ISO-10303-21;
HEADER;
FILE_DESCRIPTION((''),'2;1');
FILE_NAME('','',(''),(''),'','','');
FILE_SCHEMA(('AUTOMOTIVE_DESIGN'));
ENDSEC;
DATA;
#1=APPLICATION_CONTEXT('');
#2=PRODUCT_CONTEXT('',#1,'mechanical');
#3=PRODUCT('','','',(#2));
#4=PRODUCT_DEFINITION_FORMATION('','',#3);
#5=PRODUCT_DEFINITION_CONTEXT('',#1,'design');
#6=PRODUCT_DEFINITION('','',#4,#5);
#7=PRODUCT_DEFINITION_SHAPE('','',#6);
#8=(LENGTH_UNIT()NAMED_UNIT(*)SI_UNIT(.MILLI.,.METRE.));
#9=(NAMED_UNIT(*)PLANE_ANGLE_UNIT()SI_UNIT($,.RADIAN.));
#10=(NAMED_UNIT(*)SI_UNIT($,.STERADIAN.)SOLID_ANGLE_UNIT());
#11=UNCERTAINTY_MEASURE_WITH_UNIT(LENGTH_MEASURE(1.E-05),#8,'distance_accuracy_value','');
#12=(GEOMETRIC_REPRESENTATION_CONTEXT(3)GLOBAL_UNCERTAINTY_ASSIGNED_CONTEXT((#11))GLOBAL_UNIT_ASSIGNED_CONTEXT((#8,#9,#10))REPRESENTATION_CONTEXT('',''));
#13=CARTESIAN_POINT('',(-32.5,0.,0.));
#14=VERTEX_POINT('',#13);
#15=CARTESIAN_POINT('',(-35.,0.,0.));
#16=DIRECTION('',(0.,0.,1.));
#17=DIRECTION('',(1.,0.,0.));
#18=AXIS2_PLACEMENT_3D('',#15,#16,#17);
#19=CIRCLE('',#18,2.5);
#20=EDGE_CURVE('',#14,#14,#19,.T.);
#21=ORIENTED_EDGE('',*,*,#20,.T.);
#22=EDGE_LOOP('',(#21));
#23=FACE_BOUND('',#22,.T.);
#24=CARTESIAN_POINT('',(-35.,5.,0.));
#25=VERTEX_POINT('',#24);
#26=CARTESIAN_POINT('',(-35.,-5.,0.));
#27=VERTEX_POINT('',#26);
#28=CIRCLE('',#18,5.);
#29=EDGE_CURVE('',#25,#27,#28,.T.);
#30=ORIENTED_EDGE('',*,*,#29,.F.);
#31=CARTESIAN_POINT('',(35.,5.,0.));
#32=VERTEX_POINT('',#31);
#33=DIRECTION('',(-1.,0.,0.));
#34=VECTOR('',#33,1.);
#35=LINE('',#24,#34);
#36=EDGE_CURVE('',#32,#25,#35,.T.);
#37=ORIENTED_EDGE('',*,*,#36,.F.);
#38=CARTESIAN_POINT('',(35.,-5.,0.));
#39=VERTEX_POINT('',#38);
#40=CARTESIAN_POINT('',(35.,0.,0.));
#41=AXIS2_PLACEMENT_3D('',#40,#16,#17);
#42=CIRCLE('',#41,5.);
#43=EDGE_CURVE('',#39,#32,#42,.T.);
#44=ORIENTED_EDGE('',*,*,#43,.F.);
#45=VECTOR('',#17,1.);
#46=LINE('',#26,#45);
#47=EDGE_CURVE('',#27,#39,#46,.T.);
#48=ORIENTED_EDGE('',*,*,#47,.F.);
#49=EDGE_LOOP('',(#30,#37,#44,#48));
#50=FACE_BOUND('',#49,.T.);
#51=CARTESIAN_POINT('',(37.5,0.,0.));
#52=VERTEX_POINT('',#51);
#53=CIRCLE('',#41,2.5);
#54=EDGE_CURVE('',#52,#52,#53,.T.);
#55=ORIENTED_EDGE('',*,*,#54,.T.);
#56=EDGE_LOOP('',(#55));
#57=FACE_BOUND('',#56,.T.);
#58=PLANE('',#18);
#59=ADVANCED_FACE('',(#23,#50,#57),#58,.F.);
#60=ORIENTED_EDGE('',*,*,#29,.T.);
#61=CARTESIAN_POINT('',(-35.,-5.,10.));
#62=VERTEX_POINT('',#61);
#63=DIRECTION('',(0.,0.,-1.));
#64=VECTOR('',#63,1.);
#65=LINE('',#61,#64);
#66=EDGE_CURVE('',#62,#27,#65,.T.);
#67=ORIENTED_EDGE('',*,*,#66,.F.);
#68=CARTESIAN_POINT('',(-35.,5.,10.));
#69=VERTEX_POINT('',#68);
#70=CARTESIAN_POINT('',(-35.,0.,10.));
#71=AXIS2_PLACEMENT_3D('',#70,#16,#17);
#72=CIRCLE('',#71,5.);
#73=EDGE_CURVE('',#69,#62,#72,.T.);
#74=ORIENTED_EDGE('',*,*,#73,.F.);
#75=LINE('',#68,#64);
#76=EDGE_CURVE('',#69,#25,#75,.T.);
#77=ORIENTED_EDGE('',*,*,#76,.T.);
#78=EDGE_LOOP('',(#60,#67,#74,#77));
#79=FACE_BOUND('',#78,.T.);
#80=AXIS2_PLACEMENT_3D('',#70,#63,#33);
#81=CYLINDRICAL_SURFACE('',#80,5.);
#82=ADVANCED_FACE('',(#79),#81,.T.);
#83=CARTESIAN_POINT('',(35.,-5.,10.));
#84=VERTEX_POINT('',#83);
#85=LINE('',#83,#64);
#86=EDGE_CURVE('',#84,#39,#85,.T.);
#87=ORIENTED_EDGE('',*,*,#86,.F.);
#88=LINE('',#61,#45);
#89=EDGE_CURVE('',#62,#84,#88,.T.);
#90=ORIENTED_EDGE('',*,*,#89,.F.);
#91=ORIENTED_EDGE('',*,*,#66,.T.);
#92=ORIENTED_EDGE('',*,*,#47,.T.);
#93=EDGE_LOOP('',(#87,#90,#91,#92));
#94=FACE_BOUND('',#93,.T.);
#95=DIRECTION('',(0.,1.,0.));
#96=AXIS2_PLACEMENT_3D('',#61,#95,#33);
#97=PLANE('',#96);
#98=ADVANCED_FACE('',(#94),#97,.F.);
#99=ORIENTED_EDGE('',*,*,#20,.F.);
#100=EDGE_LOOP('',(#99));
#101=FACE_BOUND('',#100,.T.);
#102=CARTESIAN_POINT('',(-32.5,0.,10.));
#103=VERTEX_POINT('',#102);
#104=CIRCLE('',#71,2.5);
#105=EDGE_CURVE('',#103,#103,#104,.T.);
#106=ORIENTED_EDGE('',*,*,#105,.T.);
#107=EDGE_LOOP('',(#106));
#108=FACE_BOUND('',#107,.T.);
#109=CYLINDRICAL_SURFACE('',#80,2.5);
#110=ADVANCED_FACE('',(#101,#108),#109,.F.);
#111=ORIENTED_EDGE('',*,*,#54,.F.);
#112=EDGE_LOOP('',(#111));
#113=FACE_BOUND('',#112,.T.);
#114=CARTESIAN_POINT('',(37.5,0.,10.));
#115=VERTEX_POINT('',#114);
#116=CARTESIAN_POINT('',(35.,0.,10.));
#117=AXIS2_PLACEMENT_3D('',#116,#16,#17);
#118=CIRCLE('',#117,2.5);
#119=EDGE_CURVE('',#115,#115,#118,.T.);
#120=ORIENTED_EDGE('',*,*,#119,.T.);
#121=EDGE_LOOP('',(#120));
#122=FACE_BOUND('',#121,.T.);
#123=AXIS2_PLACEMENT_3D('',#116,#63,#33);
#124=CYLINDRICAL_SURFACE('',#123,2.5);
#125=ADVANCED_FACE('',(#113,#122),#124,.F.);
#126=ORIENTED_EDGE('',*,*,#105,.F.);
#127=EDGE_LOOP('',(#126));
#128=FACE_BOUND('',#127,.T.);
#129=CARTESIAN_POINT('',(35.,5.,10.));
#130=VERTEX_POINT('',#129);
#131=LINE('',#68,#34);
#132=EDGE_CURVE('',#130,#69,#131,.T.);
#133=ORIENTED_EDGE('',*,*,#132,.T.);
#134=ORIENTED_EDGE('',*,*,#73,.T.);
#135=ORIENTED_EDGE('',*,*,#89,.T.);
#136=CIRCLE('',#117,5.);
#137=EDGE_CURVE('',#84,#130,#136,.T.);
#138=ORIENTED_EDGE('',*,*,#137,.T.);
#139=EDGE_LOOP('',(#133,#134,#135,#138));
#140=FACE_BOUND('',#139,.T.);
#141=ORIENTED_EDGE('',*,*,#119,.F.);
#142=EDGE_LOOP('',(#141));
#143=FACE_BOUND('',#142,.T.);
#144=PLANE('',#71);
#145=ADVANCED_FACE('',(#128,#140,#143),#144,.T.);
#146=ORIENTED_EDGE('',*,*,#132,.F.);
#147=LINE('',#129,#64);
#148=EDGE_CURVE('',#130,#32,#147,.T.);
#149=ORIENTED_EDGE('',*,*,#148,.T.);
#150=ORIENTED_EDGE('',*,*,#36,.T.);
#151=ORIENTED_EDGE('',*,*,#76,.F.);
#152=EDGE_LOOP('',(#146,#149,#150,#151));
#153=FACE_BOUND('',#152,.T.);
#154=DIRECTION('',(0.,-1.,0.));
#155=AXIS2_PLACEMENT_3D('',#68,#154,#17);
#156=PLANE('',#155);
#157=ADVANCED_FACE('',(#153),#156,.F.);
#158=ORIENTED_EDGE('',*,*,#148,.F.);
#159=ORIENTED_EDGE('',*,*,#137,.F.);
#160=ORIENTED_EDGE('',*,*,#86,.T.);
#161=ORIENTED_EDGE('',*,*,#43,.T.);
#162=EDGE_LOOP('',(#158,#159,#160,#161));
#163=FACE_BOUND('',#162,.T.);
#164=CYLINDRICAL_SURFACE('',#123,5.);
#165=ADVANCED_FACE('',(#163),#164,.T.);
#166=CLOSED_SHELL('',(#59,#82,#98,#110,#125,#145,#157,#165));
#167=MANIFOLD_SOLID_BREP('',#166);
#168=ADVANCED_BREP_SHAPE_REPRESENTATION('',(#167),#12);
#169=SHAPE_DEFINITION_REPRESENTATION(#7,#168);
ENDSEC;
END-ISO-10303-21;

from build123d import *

# Parameters (mm, degrees)
SKETCH1_R           = 2.5
BOSS_EXTRUDE1_DEPTH = 10


with BuildPart() as part:
    # Sketch1 → Boss-Extrude1 (new body)
    with BuildSketch(Plane.XY):
        with BuildLine():
            Line((-35, 5), (35, 5))
            ThreePointArc((35, 5), (40, 0), (35, -5))
            Line((35, -5), (-35, -5))
            ThreePointArc((-35, -5), (-40, 0), (-35, 5))
        make_face()
        with Locations((-35, 0)):
            Circle(SKETCH1_R, mode=Mode.SUBTRACT)
        with Locations((35, 0)):
            Circle(SKETCH1_R, mode=Mode.SUBTRACT)
    extrude(amount=BOSS_EXTRUDE1_DEPTH)


solid = part.part
